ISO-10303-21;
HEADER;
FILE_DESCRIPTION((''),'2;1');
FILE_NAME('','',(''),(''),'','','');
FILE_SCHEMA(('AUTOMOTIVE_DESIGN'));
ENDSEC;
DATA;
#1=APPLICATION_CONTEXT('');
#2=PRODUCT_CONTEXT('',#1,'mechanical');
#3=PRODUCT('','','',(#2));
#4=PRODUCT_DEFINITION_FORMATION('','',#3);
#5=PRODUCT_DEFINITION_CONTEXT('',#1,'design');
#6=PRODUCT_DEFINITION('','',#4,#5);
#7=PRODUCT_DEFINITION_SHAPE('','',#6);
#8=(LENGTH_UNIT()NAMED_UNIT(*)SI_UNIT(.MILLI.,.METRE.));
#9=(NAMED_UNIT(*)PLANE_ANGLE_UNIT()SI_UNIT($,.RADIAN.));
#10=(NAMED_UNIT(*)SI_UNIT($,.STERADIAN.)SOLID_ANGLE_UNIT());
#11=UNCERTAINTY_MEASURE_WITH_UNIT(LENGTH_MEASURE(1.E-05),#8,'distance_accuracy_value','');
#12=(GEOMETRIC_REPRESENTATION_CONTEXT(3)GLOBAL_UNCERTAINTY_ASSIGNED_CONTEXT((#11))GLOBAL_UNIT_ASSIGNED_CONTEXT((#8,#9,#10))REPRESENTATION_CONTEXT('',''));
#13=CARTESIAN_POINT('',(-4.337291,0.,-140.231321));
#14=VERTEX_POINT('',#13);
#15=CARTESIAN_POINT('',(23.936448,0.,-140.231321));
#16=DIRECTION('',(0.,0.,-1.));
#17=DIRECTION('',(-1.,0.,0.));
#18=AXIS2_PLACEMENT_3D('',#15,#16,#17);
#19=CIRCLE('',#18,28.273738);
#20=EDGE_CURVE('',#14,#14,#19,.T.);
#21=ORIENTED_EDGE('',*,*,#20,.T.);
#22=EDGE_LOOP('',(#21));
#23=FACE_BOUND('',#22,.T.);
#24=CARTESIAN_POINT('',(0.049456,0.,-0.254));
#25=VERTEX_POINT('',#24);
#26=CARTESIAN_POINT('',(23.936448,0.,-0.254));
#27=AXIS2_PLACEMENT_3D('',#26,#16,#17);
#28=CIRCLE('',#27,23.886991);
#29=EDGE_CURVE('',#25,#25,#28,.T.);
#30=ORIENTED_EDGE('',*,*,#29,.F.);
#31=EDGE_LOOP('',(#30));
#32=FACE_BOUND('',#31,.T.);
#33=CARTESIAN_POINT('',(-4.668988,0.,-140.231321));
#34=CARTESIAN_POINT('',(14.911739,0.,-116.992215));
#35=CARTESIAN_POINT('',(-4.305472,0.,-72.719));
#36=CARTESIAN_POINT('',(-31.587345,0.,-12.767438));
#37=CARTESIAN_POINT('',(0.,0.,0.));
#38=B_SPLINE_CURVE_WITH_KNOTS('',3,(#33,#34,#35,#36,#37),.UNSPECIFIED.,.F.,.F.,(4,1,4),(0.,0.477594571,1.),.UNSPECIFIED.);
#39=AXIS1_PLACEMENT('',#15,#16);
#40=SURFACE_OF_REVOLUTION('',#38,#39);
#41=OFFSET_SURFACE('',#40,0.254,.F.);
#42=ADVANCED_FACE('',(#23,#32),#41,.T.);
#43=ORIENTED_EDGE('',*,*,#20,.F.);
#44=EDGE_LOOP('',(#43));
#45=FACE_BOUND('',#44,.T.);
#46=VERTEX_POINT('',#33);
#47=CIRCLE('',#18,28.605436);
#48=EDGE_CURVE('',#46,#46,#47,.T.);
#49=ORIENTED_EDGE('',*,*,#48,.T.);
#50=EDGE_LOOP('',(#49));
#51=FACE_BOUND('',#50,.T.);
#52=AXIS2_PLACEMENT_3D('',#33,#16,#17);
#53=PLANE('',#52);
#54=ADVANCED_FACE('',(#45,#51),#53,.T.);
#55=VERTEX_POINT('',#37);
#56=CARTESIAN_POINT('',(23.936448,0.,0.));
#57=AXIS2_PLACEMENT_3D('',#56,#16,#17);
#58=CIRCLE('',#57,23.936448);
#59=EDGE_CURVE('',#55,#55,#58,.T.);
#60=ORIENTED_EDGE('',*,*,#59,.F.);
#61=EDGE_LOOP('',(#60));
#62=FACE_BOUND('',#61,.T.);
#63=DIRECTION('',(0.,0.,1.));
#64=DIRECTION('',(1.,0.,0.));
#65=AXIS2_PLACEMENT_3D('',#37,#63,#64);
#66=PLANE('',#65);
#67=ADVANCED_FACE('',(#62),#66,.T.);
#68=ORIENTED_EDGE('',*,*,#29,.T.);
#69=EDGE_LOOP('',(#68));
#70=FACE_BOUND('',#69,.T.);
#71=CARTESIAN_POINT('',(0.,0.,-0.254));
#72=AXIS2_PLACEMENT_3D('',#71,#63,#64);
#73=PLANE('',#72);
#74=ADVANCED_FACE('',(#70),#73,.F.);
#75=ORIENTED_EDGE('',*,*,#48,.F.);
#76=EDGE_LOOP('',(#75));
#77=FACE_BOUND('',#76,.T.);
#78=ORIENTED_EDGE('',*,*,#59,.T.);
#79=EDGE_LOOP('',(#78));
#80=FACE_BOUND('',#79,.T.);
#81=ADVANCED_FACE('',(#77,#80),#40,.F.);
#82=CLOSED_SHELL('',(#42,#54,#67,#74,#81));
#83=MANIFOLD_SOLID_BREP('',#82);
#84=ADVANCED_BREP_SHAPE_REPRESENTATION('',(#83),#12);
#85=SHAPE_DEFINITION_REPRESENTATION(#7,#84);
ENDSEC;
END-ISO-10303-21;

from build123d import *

# Parameters (mm, degrees)
SHELL1_T = -0.254


with BuildPart() as part:
    # Sketch1 → Revolve1 (revolve)
    with BuildSketch(Plane(origin=(0, 0, 0), x_dir=(1, 0, 0), z_dir=(0, 1, 0))):
        with BuildLine():
            Line((0, 0), (23.936447545, 0))
            Line((23.936447545, 0), (23.936447545, 140.231321219))
            Line((23.936447545, 140.231321219), (-4.668988235, 140.231321219))
            add(Edge.make_bspline(
                [(0, 0), (-31.587344777, 12.767437785), (-4.305471737, 72.718999581), (14.911739428, 116.99221523), (-4.668988235, 140.231321219)],
                knots=[0, 0, 0, 0, 0.522405429, 1, 1, 1, 1], degree=3))
        make_face()
    revolve(axis=Axis((23.936447545, 0, -140.231321219), (0, 0, 1)))

    # Shell1
    shell1_openings = [part.faces().sort_by_distance(p)[0] for p in [
        (23.936447545, 0, -140.231321219),
    ]]
    offset(amount=SHELL1_T, openings=shell1_openings, kind=Kind.INTERSECTION)


solid = part.part
